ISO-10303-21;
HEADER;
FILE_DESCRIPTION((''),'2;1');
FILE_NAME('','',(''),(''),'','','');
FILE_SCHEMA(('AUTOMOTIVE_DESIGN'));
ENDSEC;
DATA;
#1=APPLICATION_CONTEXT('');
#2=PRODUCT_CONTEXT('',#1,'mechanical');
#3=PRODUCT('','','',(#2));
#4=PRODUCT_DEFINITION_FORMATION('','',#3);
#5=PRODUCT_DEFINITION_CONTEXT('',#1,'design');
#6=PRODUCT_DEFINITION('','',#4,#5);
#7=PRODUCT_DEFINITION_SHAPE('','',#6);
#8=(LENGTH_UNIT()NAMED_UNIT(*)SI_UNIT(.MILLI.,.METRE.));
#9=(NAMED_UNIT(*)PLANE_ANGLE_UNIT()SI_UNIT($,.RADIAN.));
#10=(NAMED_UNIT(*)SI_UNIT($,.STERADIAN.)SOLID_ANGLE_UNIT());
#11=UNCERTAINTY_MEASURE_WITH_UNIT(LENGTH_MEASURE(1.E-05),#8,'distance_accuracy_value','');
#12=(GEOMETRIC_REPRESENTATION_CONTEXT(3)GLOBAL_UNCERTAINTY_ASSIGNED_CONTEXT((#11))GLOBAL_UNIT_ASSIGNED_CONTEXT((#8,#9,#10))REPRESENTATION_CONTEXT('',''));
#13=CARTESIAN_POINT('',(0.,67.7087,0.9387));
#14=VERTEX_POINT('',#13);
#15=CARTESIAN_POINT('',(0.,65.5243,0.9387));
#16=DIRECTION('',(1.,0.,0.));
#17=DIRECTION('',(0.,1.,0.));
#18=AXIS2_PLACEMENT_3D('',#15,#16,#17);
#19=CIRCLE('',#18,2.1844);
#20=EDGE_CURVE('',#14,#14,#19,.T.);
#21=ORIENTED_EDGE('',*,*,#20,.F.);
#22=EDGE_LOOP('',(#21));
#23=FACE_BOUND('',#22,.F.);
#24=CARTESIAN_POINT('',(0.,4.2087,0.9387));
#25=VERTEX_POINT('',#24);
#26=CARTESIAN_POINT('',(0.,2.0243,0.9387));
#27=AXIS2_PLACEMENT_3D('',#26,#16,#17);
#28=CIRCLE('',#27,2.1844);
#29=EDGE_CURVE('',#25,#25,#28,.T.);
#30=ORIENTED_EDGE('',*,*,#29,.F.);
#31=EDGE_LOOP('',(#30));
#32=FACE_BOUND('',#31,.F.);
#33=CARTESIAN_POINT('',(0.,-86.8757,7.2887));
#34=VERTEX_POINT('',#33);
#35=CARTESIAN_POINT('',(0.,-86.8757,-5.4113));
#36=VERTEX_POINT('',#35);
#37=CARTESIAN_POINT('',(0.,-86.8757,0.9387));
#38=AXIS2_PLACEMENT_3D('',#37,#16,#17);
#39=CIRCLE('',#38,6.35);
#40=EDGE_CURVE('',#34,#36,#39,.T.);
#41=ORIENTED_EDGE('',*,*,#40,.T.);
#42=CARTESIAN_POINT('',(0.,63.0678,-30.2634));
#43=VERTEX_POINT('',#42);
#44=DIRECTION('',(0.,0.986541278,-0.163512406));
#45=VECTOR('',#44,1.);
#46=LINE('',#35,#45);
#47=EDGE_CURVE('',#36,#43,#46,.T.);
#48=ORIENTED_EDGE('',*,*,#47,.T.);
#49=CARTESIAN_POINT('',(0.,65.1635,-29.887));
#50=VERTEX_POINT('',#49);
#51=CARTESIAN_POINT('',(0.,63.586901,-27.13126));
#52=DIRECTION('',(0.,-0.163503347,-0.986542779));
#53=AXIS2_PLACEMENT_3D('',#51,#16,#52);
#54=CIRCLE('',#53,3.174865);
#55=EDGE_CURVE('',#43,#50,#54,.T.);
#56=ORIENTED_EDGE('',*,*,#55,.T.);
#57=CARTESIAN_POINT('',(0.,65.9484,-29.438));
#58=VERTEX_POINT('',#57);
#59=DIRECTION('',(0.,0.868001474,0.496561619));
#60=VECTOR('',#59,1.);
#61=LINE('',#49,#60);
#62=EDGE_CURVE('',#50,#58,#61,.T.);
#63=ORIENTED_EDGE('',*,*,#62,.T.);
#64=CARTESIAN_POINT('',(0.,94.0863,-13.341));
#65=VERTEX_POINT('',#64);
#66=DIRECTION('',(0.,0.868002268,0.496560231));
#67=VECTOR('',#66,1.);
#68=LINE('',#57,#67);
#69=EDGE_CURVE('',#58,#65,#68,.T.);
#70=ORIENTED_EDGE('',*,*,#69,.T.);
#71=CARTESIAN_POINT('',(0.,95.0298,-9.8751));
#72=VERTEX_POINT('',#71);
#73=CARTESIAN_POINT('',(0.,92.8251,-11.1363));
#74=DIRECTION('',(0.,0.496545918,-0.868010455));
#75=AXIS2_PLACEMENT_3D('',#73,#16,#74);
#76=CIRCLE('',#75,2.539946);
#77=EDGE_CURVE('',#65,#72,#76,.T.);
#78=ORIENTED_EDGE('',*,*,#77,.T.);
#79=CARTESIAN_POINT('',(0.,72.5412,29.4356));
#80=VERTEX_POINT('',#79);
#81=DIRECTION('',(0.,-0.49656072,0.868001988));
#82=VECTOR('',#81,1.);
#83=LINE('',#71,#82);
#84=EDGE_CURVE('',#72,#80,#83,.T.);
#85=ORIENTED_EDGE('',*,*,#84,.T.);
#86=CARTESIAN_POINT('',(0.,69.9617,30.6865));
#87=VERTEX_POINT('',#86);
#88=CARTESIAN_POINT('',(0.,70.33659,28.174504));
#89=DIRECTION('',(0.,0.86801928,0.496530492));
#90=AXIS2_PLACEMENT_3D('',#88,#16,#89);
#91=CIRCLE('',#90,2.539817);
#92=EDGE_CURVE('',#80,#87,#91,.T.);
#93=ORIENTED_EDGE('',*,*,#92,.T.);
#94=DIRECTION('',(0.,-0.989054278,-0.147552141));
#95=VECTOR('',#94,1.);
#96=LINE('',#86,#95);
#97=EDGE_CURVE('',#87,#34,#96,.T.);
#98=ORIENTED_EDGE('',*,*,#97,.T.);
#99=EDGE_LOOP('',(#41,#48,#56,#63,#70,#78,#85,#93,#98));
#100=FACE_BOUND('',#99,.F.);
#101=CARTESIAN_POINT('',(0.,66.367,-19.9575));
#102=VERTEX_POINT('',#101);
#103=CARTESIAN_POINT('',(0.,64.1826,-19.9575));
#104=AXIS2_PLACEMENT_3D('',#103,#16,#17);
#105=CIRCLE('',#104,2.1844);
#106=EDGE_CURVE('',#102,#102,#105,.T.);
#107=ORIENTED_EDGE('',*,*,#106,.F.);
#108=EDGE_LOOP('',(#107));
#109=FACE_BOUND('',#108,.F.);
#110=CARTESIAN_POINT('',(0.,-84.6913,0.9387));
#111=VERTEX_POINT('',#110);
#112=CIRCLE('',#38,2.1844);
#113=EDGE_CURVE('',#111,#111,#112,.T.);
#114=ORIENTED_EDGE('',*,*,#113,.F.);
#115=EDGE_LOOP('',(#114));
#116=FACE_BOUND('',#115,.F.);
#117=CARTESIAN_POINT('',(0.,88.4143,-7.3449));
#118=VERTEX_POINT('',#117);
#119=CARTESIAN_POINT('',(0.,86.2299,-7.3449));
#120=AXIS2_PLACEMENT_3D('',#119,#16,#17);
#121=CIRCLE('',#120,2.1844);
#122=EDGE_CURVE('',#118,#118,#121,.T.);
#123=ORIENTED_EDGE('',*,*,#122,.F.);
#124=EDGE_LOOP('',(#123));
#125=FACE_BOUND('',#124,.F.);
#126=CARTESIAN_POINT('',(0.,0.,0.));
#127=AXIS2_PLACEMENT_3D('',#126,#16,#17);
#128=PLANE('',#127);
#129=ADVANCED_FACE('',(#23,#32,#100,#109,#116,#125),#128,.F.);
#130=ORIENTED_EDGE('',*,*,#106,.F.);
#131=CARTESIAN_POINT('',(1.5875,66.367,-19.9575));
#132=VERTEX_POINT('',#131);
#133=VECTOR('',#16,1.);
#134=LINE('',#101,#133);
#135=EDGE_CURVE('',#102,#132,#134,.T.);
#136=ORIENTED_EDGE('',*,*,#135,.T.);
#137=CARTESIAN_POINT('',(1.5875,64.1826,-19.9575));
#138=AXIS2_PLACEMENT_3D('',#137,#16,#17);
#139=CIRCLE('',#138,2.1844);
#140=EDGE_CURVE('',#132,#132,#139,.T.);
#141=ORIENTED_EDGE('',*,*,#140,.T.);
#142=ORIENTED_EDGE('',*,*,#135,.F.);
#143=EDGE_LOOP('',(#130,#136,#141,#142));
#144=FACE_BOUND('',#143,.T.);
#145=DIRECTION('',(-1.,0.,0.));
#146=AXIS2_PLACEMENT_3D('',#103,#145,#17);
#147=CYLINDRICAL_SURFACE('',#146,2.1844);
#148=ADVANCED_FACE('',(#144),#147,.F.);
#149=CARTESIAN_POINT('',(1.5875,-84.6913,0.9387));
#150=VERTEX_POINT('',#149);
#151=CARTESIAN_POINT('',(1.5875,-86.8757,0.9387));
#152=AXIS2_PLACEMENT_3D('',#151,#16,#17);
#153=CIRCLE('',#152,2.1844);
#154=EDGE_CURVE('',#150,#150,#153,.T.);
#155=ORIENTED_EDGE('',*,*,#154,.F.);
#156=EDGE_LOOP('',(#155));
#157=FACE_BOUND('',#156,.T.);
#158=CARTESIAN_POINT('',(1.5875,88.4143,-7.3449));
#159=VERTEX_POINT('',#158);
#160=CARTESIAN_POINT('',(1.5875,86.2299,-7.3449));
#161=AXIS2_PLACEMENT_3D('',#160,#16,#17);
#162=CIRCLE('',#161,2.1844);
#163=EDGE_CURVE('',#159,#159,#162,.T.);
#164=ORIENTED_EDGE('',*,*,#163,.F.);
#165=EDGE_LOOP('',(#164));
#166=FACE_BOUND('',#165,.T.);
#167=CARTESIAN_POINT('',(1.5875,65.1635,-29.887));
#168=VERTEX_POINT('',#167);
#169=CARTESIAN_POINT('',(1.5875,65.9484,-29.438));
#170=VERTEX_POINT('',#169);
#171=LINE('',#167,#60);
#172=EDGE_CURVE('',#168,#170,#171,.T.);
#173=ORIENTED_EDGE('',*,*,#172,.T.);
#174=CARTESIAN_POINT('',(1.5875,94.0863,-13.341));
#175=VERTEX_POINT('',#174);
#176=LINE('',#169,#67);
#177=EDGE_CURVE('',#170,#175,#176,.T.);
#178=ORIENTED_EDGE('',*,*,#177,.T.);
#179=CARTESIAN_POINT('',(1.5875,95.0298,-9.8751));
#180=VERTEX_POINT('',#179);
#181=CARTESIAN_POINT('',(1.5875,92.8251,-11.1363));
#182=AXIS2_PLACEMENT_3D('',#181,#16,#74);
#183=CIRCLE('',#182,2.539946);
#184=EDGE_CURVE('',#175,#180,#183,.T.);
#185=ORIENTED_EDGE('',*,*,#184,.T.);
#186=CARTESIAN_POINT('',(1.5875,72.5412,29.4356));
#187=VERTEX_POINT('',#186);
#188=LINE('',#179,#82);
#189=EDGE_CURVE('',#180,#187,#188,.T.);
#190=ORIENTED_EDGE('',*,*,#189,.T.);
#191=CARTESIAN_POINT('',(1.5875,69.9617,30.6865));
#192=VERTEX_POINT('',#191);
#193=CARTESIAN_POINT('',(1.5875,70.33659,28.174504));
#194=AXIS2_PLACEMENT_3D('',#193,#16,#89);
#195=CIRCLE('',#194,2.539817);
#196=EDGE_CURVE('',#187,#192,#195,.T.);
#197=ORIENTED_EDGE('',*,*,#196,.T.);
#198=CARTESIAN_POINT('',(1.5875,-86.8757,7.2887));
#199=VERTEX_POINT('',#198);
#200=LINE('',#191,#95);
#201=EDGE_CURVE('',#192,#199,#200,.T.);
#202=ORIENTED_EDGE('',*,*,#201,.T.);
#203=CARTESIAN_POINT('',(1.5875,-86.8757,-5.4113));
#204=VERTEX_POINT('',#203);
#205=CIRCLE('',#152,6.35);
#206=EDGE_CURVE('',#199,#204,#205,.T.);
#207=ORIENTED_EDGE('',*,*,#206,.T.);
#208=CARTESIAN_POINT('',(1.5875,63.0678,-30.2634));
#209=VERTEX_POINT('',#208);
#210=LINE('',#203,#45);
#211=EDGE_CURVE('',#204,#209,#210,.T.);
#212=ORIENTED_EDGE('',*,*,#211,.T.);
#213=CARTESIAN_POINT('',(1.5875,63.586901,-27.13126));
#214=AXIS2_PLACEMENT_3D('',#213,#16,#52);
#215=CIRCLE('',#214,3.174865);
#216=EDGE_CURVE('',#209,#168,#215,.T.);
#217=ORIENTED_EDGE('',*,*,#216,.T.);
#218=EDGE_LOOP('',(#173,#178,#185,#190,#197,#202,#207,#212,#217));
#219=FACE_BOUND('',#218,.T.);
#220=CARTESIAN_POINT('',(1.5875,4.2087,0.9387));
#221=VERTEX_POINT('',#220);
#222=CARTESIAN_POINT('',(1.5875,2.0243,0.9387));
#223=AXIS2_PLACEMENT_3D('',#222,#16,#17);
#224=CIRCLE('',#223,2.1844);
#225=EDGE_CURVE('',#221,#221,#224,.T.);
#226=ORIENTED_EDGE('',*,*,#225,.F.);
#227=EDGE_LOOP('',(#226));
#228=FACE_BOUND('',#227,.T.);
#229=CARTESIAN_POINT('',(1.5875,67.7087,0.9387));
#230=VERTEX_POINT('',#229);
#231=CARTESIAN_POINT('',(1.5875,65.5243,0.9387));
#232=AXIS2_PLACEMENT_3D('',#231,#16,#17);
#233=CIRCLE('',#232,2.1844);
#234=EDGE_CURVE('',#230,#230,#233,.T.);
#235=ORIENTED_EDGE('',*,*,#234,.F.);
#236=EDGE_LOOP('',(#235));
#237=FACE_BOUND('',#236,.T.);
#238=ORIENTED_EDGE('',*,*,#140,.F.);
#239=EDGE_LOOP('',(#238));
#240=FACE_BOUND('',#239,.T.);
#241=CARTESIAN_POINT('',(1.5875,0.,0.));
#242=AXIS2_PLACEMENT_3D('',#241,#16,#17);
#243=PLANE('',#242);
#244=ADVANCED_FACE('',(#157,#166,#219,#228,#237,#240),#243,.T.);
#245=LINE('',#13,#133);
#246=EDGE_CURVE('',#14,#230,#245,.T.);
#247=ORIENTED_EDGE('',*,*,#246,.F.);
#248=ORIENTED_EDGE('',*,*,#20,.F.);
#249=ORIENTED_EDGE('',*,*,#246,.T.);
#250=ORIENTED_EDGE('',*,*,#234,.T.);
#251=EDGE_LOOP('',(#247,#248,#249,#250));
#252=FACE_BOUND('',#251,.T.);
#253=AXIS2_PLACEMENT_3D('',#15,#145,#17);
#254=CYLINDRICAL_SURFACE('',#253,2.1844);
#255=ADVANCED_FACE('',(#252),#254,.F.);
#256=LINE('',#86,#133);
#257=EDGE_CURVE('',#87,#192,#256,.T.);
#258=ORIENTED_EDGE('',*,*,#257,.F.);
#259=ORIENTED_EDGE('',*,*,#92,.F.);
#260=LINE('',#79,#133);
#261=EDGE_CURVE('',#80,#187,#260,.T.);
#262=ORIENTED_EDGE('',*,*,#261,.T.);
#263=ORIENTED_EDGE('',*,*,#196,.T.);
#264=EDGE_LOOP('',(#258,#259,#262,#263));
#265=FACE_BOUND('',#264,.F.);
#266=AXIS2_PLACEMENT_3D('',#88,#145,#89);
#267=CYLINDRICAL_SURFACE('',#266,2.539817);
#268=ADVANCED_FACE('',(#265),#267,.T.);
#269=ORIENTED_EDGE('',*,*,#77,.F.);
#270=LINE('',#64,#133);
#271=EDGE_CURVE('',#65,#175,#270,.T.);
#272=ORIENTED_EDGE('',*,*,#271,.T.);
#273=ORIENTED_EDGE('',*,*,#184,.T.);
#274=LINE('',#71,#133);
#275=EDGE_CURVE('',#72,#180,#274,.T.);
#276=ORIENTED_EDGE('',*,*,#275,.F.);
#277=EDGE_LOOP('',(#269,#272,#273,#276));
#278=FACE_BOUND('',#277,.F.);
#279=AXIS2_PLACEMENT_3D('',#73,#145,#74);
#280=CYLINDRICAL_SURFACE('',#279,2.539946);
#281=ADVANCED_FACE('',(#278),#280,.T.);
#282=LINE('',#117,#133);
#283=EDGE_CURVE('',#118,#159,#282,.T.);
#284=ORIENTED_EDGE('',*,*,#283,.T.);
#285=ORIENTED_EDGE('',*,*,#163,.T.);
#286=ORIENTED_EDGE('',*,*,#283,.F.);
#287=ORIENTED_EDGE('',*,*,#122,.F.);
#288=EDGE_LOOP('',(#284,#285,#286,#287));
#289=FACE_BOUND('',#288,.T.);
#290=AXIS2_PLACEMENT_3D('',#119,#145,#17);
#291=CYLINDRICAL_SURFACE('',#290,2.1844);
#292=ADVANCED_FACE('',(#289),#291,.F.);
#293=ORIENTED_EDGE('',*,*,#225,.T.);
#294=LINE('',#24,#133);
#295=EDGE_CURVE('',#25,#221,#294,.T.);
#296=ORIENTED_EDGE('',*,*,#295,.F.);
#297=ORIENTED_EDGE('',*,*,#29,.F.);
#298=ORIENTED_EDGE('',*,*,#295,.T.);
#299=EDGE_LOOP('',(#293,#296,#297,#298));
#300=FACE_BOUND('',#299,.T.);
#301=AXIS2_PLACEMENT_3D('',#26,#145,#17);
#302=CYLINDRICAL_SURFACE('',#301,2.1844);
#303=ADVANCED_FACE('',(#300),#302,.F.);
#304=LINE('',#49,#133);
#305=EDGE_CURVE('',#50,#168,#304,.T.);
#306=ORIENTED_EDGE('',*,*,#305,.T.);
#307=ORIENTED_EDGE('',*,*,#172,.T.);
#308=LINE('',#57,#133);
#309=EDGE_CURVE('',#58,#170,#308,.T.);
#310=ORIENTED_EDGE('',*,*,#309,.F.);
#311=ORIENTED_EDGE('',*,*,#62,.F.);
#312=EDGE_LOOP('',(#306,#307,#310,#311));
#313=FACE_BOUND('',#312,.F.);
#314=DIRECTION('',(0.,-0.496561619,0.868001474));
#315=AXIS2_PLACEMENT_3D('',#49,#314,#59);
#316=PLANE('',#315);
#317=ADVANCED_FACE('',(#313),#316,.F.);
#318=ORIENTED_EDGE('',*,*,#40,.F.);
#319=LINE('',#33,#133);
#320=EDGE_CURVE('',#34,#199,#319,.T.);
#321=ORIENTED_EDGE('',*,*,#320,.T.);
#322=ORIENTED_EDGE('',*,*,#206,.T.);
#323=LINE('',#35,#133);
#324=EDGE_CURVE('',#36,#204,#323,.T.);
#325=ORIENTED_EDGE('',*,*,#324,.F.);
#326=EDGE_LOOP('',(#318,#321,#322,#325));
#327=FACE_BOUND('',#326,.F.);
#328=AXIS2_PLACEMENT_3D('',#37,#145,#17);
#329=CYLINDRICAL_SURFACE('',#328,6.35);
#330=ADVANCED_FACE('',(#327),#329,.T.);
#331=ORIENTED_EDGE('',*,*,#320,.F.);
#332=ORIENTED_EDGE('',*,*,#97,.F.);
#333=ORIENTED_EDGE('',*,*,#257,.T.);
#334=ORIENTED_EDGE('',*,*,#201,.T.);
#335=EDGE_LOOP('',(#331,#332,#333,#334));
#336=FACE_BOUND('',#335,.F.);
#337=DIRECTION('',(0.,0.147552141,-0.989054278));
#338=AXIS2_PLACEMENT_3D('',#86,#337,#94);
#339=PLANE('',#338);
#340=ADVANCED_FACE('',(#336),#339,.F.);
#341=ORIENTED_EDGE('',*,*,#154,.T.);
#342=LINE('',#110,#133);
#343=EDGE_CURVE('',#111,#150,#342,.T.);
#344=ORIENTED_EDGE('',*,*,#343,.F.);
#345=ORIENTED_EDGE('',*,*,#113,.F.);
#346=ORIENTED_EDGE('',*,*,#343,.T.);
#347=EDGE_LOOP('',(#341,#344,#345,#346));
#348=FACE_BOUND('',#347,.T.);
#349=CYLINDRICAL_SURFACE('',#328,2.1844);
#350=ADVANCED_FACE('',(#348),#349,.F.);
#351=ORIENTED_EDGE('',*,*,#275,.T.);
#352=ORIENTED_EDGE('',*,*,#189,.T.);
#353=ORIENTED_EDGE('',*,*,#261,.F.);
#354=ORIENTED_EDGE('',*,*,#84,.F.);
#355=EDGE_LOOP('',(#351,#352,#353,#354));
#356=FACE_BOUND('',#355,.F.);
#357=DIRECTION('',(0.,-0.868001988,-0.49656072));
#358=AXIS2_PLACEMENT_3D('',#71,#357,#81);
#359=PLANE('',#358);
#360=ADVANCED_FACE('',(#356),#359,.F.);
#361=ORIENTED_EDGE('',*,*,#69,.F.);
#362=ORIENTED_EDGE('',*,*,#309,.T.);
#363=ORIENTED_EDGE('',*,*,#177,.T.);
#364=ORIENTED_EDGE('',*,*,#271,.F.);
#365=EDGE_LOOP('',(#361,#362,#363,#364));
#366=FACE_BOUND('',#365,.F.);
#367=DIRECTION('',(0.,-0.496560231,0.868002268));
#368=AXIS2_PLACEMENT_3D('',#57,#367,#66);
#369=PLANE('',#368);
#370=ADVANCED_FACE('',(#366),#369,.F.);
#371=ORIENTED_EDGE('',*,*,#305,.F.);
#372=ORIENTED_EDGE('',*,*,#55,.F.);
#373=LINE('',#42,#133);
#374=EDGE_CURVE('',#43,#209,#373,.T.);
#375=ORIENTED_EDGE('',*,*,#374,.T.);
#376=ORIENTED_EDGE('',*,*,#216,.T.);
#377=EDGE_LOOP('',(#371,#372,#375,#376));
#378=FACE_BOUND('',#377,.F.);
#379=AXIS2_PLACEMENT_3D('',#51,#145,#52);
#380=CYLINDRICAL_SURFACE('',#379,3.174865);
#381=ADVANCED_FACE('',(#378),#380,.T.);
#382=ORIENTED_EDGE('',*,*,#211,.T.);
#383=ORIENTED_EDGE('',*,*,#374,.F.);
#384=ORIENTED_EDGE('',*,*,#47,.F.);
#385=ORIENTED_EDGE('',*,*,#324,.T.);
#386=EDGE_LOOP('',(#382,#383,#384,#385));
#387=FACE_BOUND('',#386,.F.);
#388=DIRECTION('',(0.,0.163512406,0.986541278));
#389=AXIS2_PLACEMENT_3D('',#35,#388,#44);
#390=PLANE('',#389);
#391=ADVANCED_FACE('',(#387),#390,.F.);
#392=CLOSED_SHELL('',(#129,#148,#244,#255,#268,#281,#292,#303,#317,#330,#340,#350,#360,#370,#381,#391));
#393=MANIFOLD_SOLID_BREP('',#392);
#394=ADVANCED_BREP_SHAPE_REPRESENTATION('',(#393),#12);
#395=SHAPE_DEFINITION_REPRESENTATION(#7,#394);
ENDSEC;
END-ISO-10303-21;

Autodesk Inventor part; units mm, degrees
ref_plane "YZ Plane" through (0, 0, 0) normal (1, 0, 0) x (0, 1, 0)
ref_plane "XZ Plane" through (0, 0, 0) normal (0, 1, 0) x (-1, 0, 0)
ref_plane "XY Plane" through (0, 0, 0) normal (0, 0, 1) x (1, 0, 0)
sketch "Sketch1" plane through (0, 0, 0) normal (1, 0, 0) x (0, 1, 0)
  circle A0 centre (-86.8757, 0.9387) radius 2.1844
  circle A1 centre (2.0243, 0.9387) radius 2.1844
  circle A2 centre (65.5243, 0.9387) radius 2.1844
  circle A3 centre (64.1826, -19.9575) radius 2.1844
  circle A4 centre (86.2299, -7.3449) radius 2.1844
  line L0 (65.9484, -29.438) -> (95.1218, -12.7487)
  circle A5 centre (64.1826, -19.9575) radius 2.1844
  circle A6 centre (65.5243, 0.9387) radius 2.1844
  circle A7 centre (86.2299, -7.3449) radius 2.1844
  circle A8 centre (2.0243, 0.9387) radius 2.1844
  circle A9 centre (-86.8757, 0.9387) radius 2.1844
  circle A10 centre (-86.8757, 0.9387) radius 6.35
  line L1 (-86.8757, -5.4113) -> (63.0678, -30.2634)
  line L2 (65.1635, -29.887) -> (94.0863, -13.341)
  line L3 (95.0298, -9.8751) -> (72.5412, 29.4356)
  line L4 (69.9617, 30.6865) -> (-86.8757, 7.2887)
  arc A11 (63.0678, -30.2634) -> (65.1635, -29.887) centre (63.5869, -27.1311) ccw
  arc A12 (94.0863, -13.341) -> (95.0298, -9.8751) centre (92.8251, -11.1363) ccw
  arc A13 (72.5412, 29.4356) -> (69.9617, 30.6865) centre (70.3364, 28.1743) ccw
  point P0 (0, 0)
  point P1 (96.291, -12.0798)
  dimension "d0" = 12.7
  dimension "d1" = 3.175
  dimension "d2" = 2.54
extrude "Extrusion1" add sketch "Sketch1" along normal blind 1.5875
properties part number "prerollernew"
